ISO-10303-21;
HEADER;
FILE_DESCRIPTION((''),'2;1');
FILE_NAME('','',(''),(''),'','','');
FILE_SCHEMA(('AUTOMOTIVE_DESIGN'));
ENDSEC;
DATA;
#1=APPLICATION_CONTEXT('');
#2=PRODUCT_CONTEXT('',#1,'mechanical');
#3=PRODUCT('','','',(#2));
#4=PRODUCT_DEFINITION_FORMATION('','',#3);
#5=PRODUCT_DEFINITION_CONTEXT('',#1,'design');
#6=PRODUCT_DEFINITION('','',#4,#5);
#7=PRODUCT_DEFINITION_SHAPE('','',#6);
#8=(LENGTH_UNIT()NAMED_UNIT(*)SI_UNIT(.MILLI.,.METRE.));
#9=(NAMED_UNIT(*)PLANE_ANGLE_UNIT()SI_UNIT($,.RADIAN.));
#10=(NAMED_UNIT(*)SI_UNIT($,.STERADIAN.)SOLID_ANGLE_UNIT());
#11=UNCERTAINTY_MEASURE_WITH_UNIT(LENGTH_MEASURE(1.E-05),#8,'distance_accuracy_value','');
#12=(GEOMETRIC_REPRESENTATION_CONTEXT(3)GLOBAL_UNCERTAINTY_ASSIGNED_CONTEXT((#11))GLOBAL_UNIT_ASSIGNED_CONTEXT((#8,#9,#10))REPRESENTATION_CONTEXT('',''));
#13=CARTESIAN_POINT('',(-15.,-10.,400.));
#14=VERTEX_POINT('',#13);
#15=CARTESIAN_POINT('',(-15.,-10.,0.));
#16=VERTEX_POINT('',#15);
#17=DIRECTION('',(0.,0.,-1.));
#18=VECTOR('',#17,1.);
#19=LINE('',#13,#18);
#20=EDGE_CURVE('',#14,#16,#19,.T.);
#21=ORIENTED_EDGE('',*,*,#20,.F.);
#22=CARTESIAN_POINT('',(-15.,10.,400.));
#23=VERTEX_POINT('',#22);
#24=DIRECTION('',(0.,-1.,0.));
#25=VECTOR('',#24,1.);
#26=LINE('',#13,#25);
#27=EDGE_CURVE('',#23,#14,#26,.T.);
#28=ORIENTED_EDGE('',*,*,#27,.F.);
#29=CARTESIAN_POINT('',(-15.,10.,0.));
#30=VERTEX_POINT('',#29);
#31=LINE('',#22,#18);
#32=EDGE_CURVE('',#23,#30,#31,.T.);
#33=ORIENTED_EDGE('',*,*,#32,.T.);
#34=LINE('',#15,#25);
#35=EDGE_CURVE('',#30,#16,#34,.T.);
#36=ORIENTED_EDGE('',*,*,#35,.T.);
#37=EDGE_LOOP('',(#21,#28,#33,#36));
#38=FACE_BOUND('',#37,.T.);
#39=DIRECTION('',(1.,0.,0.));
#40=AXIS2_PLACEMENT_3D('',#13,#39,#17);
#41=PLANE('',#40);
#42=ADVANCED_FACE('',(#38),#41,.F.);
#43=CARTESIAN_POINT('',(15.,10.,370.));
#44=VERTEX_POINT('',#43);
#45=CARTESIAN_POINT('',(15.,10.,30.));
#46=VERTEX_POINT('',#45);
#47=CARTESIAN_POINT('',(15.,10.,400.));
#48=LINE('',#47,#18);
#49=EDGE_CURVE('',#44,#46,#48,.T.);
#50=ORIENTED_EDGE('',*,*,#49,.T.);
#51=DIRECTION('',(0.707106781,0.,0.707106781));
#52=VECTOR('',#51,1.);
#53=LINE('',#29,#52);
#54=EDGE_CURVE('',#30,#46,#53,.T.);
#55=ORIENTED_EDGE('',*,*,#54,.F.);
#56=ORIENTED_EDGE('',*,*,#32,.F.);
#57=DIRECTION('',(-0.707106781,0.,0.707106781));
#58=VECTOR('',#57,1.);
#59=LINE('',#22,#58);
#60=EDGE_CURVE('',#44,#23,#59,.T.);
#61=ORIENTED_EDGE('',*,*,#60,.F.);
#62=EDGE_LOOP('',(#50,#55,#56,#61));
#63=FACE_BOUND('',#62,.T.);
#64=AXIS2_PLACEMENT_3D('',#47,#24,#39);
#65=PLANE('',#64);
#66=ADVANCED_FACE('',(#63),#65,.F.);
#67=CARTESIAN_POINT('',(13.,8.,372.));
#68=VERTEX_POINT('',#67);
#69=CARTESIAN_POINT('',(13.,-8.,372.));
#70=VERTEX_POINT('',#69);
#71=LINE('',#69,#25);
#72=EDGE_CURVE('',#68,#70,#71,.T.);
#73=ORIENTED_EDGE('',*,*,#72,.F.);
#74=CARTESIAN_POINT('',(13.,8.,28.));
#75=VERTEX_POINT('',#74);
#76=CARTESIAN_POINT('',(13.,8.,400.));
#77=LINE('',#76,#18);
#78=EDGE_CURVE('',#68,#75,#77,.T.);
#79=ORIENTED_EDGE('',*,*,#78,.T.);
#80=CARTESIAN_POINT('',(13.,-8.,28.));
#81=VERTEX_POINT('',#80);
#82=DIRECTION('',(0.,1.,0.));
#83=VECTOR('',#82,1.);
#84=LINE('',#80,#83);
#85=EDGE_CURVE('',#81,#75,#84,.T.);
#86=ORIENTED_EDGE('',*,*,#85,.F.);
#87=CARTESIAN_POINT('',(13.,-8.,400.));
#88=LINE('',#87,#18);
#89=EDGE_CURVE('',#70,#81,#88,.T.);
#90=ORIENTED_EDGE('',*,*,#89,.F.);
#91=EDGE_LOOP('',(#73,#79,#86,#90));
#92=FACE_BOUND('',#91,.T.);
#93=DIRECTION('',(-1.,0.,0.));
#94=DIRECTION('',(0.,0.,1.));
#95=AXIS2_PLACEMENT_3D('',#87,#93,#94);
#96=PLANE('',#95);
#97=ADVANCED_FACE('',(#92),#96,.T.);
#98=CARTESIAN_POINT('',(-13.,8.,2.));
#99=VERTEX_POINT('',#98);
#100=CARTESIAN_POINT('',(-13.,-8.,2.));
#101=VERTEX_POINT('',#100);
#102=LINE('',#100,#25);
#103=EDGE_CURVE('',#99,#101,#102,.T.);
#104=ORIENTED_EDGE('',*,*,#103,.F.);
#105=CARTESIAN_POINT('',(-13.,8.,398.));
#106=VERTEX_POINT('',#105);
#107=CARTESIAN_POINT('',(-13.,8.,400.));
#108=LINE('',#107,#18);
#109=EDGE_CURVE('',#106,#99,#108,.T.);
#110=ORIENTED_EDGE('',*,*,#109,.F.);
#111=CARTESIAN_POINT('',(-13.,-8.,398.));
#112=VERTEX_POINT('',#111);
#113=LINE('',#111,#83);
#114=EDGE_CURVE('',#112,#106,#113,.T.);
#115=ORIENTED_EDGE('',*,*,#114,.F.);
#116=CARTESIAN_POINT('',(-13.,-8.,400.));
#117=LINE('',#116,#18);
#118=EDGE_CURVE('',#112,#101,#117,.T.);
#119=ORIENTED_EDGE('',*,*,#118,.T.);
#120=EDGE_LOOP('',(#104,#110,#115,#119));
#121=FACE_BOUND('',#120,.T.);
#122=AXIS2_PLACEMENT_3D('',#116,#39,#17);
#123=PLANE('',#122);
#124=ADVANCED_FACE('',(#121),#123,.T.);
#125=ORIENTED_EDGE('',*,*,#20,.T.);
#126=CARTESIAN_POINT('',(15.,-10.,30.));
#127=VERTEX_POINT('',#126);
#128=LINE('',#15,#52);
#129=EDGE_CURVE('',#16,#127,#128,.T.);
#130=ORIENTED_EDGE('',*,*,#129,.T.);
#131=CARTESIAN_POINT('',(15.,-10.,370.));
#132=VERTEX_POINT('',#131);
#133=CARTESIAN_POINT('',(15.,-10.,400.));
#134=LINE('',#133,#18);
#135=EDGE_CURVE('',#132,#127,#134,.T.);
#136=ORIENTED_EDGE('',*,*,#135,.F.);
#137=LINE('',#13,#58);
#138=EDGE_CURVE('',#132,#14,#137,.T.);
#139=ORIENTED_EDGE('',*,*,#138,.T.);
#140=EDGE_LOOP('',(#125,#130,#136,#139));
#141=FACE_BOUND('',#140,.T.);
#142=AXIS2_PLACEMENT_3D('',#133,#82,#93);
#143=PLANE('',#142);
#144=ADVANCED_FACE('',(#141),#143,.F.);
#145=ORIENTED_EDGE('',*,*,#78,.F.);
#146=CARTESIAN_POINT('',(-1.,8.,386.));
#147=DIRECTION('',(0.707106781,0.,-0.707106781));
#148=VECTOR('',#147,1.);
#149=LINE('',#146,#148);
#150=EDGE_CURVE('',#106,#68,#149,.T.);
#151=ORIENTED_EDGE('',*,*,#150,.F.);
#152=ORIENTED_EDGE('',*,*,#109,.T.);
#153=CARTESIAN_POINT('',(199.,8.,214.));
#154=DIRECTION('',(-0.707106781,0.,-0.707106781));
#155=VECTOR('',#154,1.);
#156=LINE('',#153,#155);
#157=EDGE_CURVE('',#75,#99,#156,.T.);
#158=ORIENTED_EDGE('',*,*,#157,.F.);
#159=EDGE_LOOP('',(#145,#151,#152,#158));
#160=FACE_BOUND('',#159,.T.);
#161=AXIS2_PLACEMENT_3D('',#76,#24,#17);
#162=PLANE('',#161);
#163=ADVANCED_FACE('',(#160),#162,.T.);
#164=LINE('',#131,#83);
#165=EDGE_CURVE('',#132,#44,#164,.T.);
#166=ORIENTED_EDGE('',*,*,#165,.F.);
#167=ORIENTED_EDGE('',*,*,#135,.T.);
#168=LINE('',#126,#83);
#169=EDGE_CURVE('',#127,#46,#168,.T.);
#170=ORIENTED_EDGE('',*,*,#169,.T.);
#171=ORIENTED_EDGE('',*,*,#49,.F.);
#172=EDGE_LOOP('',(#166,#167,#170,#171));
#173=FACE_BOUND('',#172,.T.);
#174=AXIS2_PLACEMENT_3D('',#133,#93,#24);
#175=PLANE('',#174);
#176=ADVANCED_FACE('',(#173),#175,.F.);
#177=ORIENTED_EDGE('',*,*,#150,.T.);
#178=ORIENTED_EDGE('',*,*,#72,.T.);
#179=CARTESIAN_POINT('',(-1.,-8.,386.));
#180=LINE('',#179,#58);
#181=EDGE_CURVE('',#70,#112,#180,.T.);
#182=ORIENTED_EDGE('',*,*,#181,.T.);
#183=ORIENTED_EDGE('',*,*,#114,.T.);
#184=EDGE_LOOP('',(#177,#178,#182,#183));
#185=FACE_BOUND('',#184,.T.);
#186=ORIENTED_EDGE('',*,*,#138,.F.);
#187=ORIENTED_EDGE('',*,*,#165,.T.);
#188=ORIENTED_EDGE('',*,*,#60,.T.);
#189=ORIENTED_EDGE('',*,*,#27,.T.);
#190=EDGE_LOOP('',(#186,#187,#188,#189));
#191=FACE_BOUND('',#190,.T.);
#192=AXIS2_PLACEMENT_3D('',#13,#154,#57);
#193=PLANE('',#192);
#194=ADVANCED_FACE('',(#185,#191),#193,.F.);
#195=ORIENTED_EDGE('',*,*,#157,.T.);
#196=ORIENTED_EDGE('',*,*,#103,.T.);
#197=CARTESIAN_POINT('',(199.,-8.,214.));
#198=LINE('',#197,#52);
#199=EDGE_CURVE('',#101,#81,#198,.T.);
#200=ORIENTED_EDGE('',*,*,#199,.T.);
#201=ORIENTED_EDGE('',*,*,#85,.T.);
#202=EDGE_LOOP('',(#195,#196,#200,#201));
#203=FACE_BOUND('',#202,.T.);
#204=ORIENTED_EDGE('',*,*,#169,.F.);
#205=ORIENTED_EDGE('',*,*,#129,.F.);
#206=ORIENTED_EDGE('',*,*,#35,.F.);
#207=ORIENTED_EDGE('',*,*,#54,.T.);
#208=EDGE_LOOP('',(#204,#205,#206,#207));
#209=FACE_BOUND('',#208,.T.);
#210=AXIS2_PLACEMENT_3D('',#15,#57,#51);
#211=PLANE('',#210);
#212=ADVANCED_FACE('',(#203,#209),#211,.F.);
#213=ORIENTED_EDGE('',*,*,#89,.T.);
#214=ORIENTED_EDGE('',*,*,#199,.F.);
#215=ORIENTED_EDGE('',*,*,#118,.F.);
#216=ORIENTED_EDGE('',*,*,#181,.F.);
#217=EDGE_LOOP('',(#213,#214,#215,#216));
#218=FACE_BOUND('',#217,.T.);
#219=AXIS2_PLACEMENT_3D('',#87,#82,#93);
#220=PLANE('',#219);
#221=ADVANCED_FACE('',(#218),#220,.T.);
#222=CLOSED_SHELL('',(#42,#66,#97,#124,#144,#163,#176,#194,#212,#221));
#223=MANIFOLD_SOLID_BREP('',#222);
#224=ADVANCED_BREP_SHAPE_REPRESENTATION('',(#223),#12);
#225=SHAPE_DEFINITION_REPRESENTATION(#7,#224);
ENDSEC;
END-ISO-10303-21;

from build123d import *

# Parameters (mm, degrees)
SCHIZZO1_W                   = 30
SCHIZZO1_H                   = 20
SCHIZZO1_W_2                 = 26
SCHIZZO1_H_2                 = 16
ESTRUSIONE_ESTRUSIONE1_DEPTH = 400
TAGLIO_ESTRUSIONE1_DEPTH     = 401.780488547


with BuildPart() as part:
    # Schizzo1 → Estrusione-Estrusione1 (new body)
    with BuildSketch(Plane.XY):
        Rectangle(SCHIZZO1_W, SCHIZZO1_H)
        Rectangle(SCHIZZO1_W_2, SCHIZZO1_H_2, mode=Mode.SUBTRACT)
    extrude(amount=ESTRUSIONE_ESTRUSIONE1_DEPTH)

    # Schizzo2 → Taglio-Estrusione1 (cut, through all)
    with BuildSketch(Plane(origin=(0, 10, 0), x_dir=(1, 0, 0), z_dir=(0, 1, 0))):
        Polygon((-15, 0), (15, -30), (15, 0), align=None)
        Polygon((-15, -400), (15, -370), (15, -400), align=None)
    extrude(amount=-TAGLIO_ESTRUSIONE1_DEPTH, mode=Mode.SUBTRACT)


solid = part.part
